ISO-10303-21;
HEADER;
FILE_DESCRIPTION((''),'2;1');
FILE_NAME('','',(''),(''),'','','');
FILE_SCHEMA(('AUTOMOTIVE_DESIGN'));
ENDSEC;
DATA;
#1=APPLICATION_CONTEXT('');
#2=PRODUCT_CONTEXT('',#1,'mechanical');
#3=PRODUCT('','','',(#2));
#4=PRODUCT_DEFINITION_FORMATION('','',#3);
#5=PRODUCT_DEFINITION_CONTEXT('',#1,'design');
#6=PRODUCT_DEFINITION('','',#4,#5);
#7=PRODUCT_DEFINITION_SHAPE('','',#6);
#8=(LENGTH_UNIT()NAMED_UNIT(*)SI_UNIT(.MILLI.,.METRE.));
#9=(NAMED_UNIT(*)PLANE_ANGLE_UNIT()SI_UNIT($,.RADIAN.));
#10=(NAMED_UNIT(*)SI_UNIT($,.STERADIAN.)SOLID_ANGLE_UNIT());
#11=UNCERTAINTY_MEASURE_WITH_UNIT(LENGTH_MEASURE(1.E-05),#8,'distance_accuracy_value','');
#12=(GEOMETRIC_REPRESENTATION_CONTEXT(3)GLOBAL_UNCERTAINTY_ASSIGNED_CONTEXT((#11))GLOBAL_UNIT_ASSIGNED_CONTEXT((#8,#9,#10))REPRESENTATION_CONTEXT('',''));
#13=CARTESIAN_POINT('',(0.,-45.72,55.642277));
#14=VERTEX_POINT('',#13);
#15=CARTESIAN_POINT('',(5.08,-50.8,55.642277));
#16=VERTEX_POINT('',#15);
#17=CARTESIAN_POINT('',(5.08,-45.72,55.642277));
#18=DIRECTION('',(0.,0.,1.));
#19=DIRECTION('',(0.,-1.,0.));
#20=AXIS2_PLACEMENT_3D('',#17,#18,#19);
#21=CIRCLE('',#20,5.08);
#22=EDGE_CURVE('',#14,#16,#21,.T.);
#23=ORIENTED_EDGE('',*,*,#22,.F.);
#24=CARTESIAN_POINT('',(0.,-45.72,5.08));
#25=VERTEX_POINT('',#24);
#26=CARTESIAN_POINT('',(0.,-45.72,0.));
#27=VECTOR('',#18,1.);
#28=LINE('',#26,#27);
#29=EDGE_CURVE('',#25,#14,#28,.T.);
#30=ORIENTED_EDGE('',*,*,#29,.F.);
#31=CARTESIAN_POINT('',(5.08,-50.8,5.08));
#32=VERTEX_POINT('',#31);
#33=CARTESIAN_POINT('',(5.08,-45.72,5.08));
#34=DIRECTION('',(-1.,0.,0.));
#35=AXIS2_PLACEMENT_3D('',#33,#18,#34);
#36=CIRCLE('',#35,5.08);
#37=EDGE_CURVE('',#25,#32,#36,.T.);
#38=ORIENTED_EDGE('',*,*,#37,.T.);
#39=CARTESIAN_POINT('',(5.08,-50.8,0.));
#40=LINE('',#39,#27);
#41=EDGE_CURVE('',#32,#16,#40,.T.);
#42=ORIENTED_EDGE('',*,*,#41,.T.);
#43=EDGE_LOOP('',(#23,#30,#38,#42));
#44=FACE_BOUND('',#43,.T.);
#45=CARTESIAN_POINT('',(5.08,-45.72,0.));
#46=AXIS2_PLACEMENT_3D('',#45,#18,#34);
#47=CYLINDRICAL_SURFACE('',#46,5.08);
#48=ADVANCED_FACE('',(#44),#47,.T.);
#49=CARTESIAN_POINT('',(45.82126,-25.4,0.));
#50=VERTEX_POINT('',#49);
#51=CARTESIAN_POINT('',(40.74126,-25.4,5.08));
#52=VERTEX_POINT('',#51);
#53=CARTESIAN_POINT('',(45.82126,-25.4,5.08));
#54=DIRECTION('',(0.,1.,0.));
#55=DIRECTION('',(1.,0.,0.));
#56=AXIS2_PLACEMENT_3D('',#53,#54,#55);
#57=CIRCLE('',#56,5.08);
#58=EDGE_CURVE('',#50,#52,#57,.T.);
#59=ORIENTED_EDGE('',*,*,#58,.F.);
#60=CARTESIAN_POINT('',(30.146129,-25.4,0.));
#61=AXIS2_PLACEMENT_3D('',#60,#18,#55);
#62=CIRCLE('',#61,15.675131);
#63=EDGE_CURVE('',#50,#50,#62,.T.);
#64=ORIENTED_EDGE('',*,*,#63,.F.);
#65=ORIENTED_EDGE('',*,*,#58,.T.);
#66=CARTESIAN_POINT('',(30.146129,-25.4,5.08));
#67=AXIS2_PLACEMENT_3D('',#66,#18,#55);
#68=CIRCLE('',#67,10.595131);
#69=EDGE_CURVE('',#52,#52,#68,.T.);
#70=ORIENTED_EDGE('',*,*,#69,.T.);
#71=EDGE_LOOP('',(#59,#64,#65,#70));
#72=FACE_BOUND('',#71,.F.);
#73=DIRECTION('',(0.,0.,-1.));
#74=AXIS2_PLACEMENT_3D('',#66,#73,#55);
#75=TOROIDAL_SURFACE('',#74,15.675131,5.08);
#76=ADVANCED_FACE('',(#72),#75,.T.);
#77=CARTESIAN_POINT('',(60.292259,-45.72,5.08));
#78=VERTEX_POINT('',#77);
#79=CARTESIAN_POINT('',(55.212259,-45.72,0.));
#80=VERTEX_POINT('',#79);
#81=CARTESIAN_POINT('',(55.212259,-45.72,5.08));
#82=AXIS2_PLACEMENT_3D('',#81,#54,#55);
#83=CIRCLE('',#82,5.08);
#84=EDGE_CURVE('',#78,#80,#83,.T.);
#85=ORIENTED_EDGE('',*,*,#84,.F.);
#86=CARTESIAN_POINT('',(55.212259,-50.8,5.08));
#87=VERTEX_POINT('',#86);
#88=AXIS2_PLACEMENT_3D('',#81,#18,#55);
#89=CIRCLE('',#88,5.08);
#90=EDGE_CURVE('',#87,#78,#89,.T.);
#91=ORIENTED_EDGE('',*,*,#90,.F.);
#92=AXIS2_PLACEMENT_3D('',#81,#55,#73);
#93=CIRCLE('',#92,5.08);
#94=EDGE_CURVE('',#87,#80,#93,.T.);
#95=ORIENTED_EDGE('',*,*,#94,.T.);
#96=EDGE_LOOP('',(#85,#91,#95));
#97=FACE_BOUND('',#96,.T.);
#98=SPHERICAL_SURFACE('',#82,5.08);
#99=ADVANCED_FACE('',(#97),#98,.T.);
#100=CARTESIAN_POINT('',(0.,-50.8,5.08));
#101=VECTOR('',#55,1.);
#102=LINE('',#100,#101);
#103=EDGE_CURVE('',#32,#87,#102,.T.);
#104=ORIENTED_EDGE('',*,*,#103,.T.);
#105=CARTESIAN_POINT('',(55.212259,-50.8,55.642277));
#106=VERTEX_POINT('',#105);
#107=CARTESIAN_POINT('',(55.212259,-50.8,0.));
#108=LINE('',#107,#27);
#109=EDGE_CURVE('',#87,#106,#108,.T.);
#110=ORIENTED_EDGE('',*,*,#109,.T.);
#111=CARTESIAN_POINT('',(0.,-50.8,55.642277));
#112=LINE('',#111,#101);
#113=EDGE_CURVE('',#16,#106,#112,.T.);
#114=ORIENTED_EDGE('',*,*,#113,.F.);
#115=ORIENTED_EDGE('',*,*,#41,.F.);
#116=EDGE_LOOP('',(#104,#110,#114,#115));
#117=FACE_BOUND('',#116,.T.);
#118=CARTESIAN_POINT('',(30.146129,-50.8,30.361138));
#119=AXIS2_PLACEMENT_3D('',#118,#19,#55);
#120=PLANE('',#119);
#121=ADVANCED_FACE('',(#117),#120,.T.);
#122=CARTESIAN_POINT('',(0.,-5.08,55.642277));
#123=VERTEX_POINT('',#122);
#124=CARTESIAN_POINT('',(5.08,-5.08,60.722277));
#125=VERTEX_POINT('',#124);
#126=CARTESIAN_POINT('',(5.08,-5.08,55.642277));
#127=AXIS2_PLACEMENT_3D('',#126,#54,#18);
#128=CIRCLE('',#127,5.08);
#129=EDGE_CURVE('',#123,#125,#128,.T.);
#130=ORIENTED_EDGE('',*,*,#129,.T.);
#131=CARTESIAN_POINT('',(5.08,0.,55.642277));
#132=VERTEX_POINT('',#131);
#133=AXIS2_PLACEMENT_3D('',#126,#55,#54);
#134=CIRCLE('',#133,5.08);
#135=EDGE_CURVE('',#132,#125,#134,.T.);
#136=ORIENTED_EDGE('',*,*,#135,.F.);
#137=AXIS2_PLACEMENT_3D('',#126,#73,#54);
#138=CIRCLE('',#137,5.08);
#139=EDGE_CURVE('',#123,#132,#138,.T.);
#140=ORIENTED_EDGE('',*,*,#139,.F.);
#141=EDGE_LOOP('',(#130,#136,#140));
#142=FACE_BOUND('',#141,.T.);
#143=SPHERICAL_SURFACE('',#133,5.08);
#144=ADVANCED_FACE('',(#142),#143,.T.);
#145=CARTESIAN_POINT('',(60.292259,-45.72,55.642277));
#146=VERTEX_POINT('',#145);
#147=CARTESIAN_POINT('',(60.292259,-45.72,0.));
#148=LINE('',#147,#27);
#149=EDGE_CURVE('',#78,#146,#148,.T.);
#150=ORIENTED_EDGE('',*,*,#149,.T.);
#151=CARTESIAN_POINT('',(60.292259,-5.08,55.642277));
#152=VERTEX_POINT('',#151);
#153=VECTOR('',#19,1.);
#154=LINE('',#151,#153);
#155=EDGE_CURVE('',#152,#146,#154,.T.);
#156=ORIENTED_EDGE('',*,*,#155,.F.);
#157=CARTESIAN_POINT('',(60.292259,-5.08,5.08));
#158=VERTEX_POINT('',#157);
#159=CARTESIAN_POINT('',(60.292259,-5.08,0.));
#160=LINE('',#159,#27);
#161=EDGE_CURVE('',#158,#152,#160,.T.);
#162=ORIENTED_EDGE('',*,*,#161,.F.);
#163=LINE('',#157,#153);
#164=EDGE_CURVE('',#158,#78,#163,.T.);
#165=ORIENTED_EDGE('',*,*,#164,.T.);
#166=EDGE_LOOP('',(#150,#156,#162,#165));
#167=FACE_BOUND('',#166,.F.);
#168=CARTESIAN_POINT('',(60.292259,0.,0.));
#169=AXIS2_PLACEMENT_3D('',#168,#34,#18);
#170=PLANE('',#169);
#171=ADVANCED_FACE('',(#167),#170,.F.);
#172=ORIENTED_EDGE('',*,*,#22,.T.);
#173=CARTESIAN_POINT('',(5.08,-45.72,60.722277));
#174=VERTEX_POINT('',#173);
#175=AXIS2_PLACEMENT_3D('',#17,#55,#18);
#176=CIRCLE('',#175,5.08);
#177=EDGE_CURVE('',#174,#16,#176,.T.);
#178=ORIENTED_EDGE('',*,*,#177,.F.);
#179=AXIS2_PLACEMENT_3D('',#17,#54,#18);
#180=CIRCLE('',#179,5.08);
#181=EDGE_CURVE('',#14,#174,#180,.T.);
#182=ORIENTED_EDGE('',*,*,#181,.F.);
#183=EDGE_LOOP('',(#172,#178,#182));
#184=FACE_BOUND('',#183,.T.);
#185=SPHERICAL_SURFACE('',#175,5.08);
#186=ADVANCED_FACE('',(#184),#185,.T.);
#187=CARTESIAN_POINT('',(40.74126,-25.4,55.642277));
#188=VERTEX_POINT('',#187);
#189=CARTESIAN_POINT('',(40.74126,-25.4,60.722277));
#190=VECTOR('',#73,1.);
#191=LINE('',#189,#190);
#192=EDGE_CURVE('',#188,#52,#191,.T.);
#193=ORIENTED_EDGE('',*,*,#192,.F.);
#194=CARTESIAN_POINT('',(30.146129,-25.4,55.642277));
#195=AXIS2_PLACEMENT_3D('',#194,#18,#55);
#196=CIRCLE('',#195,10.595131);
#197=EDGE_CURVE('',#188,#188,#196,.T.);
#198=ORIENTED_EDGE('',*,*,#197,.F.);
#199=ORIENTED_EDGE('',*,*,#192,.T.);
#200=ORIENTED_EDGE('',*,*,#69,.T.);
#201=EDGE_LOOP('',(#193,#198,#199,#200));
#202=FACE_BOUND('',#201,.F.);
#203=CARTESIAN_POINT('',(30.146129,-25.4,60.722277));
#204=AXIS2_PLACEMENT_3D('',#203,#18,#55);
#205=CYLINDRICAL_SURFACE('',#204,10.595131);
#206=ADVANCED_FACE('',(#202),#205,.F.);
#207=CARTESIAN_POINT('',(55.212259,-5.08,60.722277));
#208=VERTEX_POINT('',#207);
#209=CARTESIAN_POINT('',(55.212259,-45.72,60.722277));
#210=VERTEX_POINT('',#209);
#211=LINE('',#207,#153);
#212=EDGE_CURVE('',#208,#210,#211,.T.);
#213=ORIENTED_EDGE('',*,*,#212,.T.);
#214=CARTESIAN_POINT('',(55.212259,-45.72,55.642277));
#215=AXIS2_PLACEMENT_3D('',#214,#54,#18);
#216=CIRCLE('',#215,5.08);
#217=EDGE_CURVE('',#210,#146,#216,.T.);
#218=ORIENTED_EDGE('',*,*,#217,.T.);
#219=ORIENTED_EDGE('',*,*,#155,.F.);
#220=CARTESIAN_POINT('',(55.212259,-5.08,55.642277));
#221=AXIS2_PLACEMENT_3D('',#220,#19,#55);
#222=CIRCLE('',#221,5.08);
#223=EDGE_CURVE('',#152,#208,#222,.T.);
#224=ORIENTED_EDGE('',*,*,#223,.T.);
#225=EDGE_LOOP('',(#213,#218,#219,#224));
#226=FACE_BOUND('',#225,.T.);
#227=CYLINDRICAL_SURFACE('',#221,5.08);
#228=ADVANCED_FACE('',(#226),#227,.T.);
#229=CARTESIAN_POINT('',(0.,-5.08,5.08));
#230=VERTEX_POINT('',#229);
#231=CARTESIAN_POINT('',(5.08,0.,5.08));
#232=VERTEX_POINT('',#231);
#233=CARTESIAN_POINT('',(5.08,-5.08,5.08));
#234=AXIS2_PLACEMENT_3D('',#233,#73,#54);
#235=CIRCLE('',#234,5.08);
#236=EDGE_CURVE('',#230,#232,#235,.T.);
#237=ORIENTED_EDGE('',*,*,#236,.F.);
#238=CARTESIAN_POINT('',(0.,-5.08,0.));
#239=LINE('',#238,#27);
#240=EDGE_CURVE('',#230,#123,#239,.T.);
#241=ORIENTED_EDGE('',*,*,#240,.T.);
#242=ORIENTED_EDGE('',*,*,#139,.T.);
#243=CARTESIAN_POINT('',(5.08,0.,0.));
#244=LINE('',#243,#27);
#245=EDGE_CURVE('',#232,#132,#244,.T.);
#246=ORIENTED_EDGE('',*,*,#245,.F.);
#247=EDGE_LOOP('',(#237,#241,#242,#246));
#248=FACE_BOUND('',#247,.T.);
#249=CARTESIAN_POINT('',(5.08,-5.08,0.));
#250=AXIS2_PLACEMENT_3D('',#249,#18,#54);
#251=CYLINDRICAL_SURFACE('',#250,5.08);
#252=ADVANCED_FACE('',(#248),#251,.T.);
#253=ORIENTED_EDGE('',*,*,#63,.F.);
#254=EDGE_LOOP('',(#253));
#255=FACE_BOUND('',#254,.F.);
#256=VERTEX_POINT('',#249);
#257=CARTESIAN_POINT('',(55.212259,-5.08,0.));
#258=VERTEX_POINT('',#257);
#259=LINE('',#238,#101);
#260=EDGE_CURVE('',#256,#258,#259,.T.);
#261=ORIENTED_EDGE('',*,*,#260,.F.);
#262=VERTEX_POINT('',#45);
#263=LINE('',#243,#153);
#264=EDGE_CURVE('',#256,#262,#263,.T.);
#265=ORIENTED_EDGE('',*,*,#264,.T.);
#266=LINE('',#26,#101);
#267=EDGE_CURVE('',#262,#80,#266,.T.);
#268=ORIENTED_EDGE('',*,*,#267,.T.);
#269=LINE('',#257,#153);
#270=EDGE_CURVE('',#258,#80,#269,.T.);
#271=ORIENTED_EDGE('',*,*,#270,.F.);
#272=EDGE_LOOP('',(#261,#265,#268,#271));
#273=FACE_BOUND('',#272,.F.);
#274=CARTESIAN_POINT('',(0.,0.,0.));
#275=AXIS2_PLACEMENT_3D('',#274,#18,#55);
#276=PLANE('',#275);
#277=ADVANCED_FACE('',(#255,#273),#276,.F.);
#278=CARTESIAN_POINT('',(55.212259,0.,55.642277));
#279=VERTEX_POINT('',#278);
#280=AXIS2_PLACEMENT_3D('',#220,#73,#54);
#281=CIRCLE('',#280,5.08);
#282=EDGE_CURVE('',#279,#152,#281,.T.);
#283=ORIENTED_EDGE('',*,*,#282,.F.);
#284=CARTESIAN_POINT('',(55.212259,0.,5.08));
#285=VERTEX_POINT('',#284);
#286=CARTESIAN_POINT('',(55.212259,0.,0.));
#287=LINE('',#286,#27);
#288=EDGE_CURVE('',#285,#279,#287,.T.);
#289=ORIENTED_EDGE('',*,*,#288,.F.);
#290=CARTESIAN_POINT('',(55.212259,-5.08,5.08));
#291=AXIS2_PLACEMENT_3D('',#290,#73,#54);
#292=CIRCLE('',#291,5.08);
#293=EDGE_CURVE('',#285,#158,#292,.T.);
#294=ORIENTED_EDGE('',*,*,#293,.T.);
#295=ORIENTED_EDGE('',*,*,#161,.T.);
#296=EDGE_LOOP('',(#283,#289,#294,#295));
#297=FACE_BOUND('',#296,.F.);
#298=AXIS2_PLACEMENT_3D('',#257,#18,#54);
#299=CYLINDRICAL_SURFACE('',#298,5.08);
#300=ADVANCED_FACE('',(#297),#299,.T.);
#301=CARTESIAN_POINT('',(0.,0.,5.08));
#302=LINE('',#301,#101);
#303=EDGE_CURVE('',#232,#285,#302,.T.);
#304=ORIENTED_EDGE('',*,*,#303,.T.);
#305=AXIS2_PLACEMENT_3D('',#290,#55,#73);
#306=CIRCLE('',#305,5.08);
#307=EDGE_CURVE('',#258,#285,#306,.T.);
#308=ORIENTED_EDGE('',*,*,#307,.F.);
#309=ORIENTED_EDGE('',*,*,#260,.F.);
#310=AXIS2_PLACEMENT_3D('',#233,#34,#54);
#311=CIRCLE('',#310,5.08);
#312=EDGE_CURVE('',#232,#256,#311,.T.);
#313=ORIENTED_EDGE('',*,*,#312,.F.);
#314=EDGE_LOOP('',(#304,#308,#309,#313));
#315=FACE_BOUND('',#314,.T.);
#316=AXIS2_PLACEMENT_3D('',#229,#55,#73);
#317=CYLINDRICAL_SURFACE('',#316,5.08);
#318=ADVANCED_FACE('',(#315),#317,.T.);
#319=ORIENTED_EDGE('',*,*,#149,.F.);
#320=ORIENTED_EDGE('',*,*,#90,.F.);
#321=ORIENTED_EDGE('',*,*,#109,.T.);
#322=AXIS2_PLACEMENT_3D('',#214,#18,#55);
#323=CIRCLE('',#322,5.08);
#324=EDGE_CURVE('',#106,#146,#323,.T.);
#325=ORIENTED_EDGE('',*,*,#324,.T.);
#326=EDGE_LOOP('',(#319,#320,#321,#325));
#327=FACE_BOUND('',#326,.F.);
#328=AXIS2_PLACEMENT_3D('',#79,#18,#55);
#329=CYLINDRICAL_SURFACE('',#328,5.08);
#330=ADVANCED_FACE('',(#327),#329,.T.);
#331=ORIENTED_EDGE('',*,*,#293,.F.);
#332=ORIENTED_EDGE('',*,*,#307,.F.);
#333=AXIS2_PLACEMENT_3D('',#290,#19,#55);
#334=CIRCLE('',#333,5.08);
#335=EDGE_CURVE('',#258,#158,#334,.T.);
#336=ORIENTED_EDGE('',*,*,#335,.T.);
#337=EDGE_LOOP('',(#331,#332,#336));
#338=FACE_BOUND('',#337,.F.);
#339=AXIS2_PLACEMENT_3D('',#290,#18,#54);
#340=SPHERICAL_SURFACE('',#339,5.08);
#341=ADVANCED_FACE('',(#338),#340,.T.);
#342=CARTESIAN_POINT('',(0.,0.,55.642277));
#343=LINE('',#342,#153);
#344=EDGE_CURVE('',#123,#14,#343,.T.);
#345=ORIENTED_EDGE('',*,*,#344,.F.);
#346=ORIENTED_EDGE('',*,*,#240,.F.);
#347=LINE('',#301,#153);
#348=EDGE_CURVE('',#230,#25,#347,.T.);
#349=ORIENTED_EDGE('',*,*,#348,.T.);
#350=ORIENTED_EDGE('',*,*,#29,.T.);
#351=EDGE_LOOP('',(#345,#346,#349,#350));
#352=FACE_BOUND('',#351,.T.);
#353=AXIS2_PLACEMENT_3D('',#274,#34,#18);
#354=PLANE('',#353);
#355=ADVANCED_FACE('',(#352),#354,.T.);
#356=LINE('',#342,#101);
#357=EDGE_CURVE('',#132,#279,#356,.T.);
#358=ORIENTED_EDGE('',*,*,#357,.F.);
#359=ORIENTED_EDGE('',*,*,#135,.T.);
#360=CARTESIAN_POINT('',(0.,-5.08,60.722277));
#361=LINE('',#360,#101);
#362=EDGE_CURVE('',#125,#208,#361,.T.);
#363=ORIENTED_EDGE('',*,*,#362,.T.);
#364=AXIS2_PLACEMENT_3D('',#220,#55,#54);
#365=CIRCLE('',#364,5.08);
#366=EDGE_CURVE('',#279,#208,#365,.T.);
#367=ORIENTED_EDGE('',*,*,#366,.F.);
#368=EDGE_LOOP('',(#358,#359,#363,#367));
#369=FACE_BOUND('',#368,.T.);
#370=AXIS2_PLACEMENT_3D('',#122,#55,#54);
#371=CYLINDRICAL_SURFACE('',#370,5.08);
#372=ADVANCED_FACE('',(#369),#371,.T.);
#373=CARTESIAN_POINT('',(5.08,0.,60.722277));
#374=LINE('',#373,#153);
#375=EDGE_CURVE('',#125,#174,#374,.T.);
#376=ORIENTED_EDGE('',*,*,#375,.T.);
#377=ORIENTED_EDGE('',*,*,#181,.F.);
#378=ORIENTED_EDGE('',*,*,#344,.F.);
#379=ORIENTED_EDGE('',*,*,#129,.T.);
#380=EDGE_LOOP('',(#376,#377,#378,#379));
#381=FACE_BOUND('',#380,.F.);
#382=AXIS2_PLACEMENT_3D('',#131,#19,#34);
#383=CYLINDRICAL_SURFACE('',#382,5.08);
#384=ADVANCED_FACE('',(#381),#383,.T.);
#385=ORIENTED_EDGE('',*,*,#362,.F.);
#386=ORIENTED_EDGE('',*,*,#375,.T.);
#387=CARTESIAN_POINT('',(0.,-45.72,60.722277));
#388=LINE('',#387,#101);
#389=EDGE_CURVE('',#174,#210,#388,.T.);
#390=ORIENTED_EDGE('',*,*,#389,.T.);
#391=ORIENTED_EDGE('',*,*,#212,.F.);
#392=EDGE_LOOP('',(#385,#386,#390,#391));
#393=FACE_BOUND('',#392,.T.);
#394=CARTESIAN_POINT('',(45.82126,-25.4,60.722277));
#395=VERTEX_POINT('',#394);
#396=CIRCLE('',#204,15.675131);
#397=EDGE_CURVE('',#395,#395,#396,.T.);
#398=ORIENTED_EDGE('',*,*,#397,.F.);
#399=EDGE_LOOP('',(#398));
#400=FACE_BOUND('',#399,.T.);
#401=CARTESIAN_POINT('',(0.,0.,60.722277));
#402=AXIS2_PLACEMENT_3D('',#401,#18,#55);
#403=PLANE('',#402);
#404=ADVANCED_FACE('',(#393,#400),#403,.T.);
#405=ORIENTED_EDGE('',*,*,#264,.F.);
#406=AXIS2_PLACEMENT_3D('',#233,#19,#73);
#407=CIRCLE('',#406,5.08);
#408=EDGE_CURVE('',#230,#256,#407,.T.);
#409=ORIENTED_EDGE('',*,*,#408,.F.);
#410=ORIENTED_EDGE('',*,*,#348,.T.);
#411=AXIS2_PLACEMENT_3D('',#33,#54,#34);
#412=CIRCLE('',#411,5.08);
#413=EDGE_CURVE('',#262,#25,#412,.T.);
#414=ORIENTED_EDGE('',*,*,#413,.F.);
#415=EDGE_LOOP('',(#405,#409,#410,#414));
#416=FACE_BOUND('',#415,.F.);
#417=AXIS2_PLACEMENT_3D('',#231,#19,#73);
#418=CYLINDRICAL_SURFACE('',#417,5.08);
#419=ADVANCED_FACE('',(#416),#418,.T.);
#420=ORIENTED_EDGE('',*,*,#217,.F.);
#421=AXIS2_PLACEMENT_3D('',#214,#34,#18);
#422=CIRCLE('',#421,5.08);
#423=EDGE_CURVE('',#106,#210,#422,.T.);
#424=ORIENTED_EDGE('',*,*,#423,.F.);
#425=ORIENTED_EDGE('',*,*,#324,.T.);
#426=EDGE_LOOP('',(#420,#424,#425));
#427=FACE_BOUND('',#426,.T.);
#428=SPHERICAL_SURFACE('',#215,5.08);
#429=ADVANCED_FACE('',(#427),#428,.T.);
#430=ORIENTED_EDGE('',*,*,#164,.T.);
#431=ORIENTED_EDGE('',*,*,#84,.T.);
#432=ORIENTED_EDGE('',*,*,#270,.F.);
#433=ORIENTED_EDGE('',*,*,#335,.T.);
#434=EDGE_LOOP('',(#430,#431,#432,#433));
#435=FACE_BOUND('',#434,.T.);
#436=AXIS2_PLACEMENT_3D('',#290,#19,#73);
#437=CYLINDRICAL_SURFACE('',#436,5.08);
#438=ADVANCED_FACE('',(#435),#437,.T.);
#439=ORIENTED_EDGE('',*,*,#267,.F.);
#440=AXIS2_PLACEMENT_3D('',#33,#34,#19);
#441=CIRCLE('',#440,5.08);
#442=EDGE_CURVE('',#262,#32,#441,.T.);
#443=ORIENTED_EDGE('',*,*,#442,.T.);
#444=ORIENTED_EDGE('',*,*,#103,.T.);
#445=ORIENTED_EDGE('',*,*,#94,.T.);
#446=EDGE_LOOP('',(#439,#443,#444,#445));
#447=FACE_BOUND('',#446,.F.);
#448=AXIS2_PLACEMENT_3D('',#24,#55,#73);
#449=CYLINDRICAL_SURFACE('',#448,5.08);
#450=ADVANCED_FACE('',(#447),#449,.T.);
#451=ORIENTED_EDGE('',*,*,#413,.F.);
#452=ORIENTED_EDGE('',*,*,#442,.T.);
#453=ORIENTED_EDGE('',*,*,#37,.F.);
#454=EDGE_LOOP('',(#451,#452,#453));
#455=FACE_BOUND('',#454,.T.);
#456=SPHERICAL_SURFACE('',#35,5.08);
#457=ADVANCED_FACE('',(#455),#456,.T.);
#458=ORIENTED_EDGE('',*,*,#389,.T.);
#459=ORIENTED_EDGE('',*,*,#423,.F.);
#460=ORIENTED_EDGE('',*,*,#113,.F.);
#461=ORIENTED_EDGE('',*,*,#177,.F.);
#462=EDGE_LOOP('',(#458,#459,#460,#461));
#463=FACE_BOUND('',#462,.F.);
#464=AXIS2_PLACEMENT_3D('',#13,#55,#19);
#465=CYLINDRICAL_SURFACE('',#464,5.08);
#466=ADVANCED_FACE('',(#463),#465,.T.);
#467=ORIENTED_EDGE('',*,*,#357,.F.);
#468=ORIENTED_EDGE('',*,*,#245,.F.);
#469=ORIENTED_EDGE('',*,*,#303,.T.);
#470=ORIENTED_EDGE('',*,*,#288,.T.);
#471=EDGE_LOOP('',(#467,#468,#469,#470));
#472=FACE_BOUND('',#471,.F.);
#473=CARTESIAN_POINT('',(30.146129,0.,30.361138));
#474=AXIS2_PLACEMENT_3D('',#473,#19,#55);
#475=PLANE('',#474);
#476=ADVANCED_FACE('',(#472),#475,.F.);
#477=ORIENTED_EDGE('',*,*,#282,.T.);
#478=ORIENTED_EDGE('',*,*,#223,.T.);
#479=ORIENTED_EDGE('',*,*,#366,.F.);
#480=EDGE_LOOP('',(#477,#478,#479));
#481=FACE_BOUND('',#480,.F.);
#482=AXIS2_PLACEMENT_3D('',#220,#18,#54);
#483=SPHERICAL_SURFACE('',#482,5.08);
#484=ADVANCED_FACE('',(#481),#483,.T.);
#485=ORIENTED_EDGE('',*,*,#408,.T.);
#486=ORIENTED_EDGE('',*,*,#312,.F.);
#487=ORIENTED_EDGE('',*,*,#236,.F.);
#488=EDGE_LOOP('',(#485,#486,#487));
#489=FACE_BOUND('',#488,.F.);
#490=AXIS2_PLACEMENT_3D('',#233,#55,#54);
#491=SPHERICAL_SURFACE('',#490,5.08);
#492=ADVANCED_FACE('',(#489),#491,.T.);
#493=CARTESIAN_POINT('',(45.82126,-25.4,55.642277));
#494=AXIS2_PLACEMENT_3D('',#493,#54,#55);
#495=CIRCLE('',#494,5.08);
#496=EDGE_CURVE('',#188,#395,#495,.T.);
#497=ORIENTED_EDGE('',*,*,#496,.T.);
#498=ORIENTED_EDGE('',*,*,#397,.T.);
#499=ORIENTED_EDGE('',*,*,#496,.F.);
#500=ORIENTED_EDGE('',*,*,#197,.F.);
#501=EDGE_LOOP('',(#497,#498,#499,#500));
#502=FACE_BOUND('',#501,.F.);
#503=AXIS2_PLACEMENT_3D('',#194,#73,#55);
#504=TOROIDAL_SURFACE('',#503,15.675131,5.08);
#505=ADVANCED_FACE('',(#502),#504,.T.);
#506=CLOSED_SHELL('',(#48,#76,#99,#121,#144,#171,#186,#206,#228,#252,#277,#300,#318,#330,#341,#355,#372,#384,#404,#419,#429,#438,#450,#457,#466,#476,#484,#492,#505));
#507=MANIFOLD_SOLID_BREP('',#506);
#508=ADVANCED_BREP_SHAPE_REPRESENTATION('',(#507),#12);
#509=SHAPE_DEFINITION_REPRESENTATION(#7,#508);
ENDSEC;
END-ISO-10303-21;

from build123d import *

# Parameters (mm, degrees)
F0_W     = 60.2922588587
F0_H     = 60.7222765684
F1_DEPTH = 50.8
F2_R     = 10.5951307647
F3_DEPTH = 60.7222765684
F4_R     = 5.08
F5_R     = 5.08


with BuildPart() as f1:
    # F0 (on Front) → F1 (new body)
    with BuildSketch(Plane.XZ):
        with Locations((30.1461294293, 30.3611382842)):
            Rectangle(F0_W, F0_H)
    extrude(amount=F1_DEPTH)

    # F2 (on face) → F3 (cut, through all)
    with BuildSketch(Plane.XY.offset(60.7222765684)):
        with Locations((30.1461294293, -25.4)):
            Circle(F2_R)
    extrude(amount=-F3_DEPTH, mode=Mode.SUBTRACT)

    # F4
    f4_edges = [f1.edges().sort_by_distance(p)[0] for p in [
        (60.292259, 0, 30.361138),
    ]]
    fillet(f4_edges, radius=F4_R)

    # F5
    f5_edges = [f1.edges().sort_by_distance(p)[0] for p in [
        (27.606129, 0, 60.722277),
        (27.606129, 0, 0),
        (0, 0, 30.361138),
        (19.550999, -25.4, 60.722277),
        (30.146129, -50.8, 60.722277),
        (0, -25.4, 60.722277),
        (0, -50.8, 30.361138),
        (0, -25.4, 0),
        (60.292259, -27.94, 0),
        (60.292259, -5.08, 30.361138),
        (60.292259, -50.8, 30.361138),
        (60.292259, -27.94, 60.722277),
        (58.804361, -1.487898, 0),
        (30.146129, -50.8, 0),
        (19.550999, -25.4, 0),
    ]]
    fillet(f5_edges, radius=F5_R)


solid = f1.part
